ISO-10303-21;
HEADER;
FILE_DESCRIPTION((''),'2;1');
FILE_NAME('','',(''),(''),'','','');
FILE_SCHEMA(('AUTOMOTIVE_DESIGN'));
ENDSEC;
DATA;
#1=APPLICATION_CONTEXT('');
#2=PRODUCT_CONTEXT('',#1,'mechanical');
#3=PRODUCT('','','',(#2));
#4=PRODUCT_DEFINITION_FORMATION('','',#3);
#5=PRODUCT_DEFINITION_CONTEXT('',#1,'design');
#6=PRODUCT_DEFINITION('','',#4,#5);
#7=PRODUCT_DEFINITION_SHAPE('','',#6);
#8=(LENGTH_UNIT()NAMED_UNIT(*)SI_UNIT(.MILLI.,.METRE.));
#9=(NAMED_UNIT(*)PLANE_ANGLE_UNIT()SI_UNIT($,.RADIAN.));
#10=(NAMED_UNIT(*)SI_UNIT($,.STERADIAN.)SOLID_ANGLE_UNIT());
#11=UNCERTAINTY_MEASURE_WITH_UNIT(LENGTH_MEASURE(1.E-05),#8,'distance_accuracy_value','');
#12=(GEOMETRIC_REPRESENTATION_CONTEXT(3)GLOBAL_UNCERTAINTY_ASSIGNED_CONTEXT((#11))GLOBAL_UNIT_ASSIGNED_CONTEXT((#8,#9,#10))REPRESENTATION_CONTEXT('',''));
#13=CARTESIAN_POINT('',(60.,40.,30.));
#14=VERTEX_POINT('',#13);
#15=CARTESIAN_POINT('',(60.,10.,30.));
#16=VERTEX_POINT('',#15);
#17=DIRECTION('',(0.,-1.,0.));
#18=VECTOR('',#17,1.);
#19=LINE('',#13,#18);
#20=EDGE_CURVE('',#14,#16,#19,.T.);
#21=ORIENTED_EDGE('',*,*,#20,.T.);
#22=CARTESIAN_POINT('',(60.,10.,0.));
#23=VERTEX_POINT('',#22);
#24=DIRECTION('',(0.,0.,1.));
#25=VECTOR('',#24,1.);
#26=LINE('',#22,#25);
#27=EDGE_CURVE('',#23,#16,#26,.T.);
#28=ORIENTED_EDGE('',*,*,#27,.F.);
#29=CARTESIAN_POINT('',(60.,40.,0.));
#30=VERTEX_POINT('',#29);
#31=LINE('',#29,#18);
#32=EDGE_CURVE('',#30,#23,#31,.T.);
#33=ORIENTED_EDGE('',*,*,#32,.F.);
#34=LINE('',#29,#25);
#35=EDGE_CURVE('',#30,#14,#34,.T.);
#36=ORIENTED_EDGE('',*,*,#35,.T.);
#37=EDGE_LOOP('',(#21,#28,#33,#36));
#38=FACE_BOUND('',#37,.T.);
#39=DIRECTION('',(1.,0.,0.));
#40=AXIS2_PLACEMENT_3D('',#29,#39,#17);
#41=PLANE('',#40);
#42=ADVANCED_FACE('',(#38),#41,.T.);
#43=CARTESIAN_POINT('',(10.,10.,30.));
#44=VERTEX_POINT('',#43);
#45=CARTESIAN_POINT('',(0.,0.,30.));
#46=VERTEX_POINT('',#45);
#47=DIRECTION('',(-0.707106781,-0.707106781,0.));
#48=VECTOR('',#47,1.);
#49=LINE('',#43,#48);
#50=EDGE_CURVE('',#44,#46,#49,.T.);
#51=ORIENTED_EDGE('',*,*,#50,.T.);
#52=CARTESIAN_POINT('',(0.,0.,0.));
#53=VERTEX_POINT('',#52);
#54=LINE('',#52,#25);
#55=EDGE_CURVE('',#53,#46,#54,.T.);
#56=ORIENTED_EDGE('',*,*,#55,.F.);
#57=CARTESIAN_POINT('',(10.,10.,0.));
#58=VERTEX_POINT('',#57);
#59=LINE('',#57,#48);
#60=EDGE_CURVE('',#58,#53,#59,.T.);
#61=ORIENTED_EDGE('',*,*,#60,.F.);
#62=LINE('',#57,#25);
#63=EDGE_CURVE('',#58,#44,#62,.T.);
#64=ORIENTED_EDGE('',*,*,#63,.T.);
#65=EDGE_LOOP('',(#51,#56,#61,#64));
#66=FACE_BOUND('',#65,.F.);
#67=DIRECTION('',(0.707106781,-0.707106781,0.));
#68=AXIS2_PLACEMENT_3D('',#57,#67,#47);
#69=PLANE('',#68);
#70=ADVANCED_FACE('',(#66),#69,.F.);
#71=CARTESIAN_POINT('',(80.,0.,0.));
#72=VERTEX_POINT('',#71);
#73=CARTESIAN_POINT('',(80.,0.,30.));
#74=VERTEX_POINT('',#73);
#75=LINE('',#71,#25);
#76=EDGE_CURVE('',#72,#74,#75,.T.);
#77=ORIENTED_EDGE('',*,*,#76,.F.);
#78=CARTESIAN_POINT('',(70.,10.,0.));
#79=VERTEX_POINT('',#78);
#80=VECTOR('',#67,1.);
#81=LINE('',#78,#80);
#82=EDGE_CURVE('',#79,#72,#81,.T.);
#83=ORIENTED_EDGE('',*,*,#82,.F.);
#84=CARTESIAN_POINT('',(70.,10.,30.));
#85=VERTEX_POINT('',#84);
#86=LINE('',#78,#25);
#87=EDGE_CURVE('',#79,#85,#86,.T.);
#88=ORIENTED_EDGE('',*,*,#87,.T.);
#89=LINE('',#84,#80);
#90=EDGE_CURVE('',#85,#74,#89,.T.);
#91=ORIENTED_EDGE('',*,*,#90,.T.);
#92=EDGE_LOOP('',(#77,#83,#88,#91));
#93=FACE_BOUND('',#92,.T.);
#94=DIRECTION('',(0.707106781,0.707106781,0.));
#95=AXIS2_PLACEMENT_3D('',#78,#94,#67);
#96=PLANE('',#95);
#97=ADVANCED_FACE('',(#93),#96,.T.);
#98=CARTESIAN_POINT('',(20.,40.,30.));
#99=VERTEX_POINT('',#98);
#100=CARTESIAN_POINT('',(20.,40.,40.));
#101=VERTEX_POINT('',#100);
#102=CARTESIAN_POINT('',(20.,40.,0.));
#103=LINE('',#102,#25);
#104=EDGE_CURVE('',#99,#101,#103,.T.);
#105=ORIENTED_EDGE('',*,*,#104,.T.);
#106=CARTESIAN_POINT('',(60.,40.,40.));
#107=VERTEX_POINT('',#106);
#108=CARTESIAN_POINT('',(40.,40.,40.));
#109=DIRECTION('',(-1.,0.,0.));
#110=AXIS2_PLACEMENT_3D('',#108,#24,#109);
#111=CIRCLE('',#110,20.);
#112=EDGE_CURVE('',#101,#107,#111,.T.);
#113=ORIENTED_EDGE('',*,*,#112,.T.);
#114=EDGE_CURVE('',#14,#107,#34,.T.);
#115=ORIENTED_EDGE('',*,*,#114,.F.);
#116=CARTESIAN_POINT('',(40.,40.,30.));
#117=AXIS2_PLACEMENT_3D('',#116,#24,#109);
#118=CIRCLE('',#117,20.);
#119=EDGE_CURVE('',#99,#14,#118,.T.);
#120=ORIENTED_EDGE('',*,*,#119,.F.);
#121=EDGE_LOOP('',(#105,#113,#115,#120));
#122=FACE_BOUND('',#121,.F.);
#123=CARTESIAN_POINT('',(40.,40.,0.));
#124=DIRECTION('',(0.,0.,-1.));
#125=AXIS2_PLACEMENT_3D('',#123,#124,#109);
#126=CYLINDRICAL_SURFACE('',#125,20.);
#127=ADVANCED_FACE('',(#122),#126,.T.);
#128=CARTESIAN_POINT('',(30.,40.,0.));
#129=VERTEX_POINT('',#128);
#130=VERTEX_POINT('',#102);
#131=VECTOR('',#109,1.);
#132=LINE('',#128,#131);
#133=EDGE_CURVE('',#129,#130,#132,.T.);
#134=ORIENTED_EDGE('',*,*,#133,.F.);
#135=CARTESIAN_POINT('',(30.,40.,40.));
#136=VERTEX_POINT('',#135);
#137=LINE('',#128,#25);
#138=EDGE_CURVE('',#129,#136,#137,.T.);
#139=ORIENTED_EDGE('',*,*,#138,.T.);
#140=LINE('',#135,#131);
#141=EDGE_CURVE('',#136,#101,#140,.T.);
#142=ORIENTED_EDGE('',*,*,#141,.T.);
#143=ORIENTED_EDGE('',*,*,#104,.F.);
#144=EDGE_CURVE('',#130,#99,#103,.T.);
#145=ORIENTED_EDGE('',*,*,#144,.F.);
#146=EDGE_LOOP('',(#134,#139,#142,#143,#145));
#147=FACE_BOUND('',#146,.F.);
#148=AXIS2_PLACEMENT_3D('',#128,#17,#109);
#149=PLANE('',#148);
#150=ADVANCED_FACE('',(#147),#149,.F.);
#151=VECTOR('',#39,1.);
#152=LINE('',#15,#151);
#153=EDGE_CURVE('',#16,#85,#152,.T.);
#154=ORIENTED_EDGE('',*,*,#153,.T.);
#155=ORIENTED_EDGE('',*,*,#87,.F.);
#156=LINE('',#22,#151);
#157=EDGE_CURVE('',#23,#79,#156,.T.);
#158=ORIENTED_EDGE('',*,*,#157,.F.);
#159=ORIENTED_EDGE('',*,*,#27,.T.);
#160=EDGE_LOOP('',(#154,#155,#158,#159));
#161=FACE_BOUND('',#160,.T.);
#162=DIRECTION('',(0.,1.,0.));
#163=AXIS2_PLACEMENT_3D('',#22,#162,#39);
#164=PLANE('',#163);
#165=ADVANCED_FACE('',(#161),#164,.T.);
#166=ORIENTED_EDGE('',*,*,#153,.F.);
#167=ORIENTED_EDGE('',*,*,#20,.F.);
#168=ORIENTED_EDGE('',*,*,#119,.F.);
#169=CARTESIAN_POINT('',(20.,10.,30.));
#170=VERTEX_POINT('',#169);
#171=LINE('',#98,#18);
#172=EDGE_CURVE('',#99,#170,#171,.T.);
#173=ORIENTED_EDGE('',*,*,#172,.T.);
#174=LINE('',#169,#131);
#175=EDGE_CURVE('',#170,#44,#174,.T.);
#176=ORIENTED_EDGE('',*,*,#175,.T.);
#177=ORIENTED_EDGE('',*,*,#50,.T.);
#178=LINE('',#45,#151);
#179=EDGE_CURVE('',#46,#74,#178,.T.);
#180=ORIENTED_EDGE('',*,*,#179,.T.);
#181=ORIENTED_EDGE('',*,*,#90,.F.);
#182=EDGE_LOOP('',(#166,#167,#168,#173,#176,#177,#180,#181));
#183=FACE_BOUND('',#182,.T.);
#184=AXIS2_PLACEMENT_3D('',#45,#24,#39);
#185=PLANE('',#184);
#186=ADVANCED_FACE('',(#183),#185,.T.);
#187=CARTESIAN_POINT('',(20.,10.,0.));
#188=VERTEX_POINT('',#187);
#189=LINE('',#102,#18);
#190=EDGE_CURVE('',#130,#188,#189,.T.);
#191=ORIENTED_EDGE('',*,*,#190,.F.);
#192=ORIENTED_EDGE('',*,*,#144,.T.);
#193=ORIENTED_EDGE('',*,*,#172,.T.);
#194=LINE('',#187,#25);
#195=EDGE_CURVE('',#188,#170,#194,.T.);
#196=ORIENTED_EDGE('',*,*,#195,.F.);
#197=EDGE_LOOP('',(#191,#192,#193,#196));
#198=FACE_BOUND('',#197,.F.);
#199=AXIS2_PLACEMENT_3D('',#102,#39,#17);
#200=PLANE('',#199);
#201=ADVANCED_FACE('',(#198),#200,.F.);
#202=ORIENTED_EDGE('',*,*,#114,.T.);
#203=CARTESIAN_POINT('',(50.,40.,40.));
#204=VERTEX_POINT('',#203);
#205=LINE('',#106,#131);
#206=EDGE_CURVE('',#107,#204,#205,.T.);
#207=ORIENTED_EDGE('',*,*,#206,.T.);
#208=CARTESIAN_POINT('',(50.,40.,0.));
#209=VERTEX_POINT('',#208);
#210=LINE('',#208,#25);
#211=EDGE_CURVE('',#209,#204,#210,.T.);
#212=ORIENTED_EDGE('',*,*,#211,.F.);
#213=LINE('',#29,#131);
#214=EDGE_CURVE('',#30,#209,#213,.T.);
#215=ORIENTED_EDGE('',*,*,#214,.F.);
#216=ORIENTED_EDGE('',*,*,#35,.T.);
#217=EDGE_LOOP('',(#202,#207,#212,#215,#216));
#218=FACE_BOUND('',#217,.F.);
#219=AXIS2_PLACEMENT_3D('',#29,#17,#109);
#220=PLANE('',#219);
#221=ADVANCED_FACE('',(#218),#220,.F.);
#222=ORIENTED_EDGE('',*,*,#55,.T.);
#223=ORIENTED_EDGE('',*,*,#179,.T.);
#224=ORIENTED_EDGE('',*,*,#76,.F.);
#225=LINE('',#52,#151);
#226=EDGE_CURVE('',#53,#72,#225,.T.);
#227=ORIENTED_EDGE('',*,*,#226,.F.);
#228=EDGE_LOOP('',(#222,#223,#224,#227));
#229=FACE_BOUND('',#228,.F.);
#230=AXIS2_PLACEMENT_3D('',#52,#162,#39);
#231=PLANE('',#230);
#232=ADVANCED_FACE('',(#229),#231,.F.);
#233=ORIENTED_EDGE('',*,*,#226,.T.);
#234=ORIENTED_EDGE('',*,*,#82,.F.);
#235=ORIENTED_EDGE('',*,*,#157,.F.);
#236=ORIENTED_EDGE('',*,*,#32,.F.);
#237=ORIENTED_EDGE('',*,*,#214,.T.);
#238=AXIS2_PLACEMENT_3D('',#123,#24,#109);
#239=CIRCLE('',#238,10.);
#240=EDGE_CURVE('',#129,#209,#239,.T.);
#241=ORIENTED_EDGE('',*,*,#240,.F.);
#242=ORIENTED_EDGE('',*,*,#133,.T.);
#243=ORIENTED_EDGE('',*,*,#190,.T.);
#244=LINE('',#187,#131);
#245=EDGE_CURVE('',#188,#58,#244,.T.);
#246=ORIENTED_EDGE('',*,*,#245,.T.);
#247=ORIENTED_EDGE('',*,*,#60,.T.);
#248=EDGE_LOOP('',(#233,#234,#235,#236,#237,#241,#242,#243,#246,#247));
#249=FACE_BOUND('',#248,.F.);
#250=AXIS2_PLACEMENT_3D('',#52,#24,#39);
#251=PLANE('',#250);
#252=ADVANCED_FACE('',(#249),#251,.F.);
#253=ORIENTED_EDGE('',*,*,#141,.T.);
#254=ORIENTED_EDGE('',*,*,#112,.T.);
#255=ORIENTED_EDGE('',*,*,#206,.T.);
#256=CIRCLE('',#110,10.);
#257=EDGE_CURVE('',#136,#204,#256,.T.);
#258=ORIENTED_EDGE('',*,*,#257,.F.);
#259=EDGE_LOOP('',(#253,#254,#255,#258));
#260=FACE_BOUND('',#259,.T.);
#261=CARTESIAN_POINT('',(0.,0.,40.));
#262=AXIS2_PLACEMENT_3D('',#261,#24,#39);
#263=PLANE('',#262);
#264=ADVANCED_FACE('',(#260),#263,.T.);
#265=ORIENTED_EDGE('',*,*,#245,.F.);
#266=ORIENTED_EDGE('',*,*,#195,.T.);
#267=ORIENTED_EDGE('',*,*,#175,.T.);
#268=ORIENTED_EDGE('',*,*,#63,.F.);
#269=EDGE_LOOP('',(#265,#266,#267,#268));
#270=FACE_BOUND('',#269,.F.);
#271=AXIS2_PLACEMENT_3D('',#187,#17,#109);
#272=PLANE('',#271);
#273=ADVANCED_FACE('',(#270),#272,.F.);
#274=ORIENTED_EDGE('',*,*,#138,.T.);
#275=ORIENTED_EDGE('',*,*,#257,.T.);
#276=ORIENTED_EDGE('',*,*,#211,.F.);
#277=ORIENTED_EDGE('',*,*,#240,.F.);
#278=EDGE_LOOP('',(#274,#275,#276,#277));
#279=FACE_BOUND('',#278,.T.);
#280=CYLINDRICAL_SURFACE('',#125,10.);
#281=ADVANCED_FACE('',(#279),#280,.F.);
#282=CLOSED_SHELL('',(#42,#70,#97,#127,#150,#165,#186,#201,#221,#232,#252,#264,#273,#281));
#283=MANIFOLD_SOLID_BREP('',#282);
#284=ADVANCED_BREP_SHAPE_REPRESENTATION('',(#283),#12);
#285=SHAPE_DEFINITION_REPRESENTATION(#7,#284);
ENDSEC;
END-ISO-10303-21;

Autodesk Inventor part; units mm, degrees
ref_plane "YZ Plane" through (0, 0, 0) normal (1, 0, 0) x (0, 1, 0)
ref_plane "XZ Plane" through (0, 0, 0) normal (0, 1, 0) x (-1, 0, 0)
ref_plane "XY Plane" through (0, 0, 0) normal (0, 0, 1) x (1, 0, 0)
sketch "草圖1" plane through (0, 0, 0) normal (0, 0, 1) x (1, 0, 0)
  line L0 (0, 0) -> (80, 0)
  arc A0 (30, 40) -> (50, 40) centre (40, 40) ccw
  arc A1 (20, 40) -> (60, 40) centre (40, 40) ccw
  line L1 (20, 40) -> (20, 10)
  line L2 (20, 10) -> (10, 10)
  line L3 (10, 10) -> (0, 0)
  line L4 (60, 40) -> (60, 10)
  line L5 (60, 10) -> (70, 10)
  line L6 (70, 10) -> (80, 0)
  line L7 (60, 40) -> (50, 40)
  line L8 (30, 40) -> (20, 40)
extrude "擠出1" add sketch "草圖1" along normal blind 40 contours L8 A0 L7 A1
extrude "擠出2" add sketch "草圖1" along normal blind 30 contours L3 L2 L1 A1 L4 L5 L6 L0
